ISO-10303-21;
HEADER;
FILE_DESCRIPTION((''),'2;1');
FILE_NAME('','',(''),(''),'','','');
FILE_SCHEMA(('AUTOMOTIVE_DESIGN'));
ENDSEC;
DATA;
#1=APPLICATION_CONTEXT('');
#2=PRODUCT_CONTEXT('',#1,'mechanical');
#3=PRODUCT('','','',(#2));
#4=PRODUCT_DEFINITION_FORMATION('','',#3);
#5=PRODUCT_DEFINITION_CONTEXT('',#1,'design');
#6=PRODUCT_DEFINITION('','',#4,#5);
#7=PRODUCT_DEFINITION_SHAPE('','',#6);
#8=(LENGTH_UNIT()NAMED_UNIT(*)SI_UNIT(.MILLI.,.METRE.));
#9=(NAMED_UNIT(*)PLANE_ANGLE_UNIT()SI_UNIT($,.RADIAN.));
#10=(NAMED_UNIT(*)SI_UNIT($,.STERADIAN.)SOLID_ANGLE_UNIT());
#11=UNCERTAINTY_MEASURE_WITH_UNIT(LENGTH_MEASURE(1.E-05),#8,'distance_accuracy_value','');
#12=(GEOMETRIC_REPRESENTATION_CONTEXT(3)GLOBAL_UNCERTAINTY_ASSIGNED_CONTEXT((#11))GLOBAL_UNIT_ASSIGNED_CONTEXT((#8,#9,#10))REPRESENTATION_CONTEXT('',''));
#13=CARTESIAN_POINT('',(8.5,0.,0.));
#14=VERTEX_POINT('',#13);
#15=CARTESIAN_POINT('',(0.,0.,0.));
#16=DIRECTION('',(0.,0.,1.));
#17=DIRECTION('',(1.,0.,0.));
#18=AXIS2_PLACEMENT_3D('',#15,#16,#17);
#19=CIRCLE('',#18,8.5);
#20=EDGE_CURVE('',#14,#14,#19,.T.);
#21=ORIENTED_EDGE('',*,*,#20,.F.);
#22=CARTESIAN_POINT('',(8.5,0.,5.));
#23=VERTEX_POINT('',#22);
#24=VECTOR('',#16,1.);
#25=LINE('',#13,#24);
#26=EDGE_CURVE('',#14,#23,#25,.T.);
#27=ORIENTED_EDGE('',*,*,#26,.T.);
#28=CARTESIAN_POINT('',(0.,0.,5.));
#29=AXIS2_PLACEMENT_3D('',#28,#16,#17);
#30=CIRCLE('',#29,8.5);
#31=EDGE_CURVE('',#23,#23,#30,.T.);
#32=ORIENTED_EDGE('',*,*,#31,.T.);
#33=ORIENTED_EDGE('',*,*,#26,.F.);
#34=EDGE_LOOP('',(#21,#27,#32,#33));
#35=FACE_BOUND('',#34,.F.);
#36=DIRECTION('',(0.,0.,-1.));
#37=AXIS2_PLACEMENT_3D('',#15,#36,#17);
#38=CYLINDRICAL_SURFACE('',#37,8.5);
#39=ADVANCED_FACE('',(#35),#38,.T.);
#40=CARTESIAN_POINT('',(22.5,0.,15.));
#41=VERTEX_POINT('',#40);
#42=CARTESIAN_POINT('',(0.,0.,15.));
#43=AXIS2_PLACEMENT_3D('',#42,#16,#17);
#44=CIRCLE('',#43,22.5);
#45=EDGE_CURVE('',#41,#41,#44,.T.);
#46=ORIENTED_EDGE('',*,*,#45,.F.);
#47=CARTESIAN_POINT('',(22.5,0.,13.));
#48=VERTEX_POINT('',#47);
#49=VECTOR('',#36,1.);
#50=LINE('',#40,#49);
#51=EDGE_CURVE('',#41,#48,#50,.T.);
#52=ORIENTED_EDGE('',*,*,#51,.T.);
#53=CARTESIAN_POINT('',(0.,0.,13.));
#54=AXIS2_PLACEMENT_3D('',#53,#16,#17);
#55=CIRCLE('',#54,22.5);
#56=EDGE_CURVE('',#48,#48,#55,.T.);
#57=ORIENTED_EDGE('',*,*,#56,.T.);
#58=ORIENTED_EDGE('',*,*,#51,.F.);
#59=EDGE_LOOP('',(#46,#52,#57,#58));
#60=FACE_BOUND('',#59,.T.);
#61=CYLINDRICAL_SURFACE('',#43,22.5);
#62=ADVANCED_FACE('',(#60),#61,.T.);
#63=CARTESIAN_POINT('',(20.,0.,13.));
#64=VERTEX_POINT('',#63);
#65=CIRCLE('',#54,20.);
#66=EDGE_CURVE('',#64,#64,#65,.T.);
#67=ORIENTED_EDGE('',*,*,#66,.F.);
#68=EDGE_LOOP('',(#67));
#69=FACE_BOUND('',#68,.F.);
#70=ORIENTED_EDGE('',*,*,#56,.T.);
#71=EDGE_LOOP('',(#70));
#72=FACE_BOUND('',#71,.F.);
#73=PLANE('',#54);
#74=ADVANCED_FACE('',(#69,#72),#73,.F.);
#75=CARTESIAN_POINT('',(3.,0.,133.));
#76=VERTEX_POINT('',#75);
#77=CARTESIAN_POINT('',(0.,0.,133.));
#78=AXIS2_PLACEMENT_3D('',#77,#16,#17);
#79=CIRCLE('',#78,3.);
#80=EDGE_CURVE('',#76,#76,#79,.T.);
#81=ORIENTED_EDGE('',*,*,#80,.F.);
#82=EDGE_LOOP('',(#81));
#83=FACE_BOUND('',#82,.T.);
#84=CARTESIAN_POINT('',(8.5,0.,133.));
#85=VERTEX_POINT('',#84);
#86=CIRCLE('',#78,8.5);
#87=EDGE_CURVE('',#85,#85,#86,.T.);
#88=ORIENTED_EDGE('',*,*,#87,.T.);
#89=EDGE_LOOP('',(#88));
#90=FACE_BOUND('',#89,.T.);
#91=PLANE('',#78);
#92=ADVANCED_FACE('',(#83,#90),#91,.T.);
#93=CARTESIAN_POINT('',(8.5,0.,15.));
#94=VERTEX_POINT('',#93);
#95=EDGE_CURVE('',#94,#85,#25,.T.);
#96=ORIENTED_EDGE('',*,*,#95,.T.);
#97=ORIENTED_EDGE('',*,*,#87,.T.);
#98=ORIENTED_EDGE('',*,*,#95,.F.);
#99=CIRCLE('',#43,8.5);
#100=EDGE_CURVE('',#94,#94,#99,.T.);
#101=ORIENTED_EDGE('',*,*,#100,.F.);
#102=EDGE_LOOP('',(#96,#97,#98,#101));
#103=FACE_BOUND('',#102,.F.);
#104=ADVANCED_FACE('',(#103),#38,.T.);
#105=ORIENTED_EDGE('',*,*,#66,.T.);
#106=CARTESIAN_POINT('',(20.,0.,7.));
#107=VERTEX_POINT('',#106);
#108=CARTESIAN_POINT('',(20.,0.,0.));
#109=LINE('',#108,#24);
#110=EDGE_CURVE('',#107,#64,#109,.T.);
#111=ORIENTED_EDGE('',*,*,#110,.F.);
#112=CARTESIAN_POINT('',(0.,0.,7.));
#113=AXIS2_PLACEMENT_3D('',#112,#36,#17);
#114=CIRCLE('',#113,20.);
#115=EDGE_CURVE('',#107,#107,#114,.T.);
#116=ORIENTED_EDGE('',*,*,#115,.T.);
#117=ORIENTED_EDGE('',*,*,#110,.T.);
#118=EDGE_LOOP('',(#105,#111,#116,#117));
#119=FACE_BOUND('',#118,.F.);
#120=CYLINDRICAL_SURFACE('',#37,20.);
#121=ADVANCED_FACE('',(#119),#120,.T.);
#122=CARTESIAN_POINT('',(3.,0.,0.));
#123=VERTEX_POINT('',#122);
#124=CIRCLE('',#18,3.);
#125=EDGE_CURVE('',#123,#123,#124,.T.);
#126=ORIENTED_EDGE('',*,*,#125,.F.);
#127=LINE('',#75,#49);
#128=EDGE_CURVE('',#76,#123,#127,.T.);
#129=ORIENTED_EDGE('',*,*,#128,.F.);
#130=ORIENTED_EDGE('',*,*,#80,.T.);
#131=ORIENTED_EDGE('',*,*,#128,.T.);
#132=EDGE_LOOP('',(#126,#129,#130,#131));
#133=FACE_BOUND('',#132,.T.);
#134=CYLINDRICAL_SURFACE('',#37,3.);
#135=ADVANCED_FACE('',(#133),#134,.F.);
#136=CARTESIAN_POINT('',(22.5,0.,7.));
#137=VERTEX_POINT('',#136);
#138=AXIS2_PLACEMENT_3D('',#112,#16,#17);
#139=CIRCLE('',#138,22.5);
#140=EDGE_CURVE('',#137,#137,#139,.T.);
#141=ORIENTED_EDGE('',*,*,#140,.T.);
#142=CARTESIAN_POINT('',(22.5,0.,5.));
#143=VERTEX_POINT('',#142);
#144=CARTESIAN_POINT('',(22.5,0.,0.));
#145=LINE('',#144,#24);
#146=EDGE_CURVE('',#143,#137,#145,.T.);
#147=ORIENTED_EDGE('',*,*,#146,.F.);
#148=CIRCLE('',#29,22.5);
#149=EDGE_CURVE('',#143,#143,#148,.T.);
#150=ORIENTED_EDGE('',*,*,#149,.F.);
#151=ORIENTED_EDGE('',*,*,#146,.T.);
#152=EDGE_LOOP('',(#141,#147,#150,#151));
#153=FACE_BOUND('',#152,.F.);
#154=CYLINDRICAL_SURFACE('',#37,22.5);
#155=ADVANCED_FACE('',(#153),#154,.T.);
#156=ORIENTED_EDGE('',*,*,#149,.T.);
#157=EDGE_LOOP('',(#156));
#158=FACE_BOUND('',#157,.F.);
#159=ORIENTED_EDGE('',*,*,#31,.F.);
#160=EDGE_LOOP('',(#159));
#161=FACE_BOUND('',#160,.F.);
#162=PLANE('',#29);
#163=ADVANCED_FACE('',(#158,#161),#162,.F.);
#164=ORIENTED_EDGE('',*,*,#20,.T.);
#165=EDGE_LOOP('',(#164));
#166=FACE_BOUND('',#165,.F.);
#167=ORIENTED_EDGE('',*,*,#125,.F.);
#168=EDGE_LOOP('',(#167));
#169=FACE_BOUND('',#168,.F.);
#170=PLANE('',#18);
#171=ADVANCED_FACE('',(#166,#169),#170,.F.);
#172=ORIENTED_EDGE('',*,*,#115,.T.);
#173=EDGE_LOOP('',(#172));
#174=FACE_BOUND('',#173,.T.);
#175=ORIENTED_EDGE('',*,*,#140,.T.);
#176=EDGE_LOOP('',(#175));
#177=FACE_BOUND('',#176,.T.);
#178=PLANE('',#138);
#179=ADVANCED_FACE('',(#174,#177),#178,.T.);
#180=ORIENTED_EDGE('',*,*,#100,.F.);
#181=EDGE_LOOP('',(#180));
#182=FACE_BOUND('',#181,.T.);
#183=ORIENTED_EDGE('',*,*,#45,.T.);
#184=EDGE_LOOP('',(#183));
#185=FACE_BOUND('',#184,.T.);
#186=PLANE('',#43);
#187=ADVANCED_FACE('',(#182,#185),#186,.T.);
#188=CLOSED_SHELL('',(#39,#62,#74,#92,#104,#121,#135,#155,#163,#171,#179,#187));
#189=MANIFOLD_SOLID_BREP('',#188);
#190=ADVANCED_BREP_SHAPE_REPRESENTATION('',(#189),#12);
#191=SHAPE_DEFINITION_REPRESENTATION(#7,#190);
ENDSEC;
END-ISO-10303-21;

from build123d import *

# Parameters (mm, degrees)
F0_R     = 8.5
F0_R_2   = 3
F1_DEPTH = 133
F0_R_3   = 20
F2_DEPTH = 15
F3_R     = 22.5
F4_DEPTH = 7
F3_R_2   = 20
F5_DEPTH = 5
F6_R     = 22.5
F6_R_2   = 20
F7_DEPTH = 2
F8_R     = 3
F9_DEPTH = 140


with BuildPart() as f1:
    # F0 (on Top) → F1 (new body)
    with BuildSketch(Plane.XY):
        Circle(F0_R)
        Circle(F0_R_2, mode=Mode.SUBTRACT)
    extrude(amount=F1_DEPTH)

    # F0 (on Top) → F2 (join)
    with BuildSketch(Plane.XY):
        Circle(F0_R_3)
        Circle(F0_R, mode=Mode.SUBTRACT)
    extrude(amount=F2_DEPTH)

    # F3 (on face) → F4 (join)
    with BuildSketch(Plane.XY):
        Circle(F3_R)
    extrude(amount=F4_DEPTH)

    # F3 (on face) + F0 (on Top) → F5 (cut)
    with BuildSketch(Plane.XY):
        Circle(F3_R)
        Circle(F3_R_2, mode=Mode.SUBTRACT)
    with BuildSketch(Plane.XY):
        Circle(F0_R_3)
        Circle(F0_R, mode=Mode.SUBTRACT)
    extrude(amount=F5_DEPTH, mode=Mode.SUBTRACT)

    # F6 (on face) → F7 (join)
    with BuildSketch(Plane.XY.offset(15)):
        Circle(F6_R)
        Circle(F6_R_2, mode=Mode.SUBTRACT)
    extrude(amount=-F7_DEPTH)

    # F8 (on face) → F9 (cut)
    with BuildSketch(Plane.XY):
        Circle(F8_R)
    extrude(amount=F9_DEPTH, mode=Mode.SUBTRACT)


solid = f1.part
